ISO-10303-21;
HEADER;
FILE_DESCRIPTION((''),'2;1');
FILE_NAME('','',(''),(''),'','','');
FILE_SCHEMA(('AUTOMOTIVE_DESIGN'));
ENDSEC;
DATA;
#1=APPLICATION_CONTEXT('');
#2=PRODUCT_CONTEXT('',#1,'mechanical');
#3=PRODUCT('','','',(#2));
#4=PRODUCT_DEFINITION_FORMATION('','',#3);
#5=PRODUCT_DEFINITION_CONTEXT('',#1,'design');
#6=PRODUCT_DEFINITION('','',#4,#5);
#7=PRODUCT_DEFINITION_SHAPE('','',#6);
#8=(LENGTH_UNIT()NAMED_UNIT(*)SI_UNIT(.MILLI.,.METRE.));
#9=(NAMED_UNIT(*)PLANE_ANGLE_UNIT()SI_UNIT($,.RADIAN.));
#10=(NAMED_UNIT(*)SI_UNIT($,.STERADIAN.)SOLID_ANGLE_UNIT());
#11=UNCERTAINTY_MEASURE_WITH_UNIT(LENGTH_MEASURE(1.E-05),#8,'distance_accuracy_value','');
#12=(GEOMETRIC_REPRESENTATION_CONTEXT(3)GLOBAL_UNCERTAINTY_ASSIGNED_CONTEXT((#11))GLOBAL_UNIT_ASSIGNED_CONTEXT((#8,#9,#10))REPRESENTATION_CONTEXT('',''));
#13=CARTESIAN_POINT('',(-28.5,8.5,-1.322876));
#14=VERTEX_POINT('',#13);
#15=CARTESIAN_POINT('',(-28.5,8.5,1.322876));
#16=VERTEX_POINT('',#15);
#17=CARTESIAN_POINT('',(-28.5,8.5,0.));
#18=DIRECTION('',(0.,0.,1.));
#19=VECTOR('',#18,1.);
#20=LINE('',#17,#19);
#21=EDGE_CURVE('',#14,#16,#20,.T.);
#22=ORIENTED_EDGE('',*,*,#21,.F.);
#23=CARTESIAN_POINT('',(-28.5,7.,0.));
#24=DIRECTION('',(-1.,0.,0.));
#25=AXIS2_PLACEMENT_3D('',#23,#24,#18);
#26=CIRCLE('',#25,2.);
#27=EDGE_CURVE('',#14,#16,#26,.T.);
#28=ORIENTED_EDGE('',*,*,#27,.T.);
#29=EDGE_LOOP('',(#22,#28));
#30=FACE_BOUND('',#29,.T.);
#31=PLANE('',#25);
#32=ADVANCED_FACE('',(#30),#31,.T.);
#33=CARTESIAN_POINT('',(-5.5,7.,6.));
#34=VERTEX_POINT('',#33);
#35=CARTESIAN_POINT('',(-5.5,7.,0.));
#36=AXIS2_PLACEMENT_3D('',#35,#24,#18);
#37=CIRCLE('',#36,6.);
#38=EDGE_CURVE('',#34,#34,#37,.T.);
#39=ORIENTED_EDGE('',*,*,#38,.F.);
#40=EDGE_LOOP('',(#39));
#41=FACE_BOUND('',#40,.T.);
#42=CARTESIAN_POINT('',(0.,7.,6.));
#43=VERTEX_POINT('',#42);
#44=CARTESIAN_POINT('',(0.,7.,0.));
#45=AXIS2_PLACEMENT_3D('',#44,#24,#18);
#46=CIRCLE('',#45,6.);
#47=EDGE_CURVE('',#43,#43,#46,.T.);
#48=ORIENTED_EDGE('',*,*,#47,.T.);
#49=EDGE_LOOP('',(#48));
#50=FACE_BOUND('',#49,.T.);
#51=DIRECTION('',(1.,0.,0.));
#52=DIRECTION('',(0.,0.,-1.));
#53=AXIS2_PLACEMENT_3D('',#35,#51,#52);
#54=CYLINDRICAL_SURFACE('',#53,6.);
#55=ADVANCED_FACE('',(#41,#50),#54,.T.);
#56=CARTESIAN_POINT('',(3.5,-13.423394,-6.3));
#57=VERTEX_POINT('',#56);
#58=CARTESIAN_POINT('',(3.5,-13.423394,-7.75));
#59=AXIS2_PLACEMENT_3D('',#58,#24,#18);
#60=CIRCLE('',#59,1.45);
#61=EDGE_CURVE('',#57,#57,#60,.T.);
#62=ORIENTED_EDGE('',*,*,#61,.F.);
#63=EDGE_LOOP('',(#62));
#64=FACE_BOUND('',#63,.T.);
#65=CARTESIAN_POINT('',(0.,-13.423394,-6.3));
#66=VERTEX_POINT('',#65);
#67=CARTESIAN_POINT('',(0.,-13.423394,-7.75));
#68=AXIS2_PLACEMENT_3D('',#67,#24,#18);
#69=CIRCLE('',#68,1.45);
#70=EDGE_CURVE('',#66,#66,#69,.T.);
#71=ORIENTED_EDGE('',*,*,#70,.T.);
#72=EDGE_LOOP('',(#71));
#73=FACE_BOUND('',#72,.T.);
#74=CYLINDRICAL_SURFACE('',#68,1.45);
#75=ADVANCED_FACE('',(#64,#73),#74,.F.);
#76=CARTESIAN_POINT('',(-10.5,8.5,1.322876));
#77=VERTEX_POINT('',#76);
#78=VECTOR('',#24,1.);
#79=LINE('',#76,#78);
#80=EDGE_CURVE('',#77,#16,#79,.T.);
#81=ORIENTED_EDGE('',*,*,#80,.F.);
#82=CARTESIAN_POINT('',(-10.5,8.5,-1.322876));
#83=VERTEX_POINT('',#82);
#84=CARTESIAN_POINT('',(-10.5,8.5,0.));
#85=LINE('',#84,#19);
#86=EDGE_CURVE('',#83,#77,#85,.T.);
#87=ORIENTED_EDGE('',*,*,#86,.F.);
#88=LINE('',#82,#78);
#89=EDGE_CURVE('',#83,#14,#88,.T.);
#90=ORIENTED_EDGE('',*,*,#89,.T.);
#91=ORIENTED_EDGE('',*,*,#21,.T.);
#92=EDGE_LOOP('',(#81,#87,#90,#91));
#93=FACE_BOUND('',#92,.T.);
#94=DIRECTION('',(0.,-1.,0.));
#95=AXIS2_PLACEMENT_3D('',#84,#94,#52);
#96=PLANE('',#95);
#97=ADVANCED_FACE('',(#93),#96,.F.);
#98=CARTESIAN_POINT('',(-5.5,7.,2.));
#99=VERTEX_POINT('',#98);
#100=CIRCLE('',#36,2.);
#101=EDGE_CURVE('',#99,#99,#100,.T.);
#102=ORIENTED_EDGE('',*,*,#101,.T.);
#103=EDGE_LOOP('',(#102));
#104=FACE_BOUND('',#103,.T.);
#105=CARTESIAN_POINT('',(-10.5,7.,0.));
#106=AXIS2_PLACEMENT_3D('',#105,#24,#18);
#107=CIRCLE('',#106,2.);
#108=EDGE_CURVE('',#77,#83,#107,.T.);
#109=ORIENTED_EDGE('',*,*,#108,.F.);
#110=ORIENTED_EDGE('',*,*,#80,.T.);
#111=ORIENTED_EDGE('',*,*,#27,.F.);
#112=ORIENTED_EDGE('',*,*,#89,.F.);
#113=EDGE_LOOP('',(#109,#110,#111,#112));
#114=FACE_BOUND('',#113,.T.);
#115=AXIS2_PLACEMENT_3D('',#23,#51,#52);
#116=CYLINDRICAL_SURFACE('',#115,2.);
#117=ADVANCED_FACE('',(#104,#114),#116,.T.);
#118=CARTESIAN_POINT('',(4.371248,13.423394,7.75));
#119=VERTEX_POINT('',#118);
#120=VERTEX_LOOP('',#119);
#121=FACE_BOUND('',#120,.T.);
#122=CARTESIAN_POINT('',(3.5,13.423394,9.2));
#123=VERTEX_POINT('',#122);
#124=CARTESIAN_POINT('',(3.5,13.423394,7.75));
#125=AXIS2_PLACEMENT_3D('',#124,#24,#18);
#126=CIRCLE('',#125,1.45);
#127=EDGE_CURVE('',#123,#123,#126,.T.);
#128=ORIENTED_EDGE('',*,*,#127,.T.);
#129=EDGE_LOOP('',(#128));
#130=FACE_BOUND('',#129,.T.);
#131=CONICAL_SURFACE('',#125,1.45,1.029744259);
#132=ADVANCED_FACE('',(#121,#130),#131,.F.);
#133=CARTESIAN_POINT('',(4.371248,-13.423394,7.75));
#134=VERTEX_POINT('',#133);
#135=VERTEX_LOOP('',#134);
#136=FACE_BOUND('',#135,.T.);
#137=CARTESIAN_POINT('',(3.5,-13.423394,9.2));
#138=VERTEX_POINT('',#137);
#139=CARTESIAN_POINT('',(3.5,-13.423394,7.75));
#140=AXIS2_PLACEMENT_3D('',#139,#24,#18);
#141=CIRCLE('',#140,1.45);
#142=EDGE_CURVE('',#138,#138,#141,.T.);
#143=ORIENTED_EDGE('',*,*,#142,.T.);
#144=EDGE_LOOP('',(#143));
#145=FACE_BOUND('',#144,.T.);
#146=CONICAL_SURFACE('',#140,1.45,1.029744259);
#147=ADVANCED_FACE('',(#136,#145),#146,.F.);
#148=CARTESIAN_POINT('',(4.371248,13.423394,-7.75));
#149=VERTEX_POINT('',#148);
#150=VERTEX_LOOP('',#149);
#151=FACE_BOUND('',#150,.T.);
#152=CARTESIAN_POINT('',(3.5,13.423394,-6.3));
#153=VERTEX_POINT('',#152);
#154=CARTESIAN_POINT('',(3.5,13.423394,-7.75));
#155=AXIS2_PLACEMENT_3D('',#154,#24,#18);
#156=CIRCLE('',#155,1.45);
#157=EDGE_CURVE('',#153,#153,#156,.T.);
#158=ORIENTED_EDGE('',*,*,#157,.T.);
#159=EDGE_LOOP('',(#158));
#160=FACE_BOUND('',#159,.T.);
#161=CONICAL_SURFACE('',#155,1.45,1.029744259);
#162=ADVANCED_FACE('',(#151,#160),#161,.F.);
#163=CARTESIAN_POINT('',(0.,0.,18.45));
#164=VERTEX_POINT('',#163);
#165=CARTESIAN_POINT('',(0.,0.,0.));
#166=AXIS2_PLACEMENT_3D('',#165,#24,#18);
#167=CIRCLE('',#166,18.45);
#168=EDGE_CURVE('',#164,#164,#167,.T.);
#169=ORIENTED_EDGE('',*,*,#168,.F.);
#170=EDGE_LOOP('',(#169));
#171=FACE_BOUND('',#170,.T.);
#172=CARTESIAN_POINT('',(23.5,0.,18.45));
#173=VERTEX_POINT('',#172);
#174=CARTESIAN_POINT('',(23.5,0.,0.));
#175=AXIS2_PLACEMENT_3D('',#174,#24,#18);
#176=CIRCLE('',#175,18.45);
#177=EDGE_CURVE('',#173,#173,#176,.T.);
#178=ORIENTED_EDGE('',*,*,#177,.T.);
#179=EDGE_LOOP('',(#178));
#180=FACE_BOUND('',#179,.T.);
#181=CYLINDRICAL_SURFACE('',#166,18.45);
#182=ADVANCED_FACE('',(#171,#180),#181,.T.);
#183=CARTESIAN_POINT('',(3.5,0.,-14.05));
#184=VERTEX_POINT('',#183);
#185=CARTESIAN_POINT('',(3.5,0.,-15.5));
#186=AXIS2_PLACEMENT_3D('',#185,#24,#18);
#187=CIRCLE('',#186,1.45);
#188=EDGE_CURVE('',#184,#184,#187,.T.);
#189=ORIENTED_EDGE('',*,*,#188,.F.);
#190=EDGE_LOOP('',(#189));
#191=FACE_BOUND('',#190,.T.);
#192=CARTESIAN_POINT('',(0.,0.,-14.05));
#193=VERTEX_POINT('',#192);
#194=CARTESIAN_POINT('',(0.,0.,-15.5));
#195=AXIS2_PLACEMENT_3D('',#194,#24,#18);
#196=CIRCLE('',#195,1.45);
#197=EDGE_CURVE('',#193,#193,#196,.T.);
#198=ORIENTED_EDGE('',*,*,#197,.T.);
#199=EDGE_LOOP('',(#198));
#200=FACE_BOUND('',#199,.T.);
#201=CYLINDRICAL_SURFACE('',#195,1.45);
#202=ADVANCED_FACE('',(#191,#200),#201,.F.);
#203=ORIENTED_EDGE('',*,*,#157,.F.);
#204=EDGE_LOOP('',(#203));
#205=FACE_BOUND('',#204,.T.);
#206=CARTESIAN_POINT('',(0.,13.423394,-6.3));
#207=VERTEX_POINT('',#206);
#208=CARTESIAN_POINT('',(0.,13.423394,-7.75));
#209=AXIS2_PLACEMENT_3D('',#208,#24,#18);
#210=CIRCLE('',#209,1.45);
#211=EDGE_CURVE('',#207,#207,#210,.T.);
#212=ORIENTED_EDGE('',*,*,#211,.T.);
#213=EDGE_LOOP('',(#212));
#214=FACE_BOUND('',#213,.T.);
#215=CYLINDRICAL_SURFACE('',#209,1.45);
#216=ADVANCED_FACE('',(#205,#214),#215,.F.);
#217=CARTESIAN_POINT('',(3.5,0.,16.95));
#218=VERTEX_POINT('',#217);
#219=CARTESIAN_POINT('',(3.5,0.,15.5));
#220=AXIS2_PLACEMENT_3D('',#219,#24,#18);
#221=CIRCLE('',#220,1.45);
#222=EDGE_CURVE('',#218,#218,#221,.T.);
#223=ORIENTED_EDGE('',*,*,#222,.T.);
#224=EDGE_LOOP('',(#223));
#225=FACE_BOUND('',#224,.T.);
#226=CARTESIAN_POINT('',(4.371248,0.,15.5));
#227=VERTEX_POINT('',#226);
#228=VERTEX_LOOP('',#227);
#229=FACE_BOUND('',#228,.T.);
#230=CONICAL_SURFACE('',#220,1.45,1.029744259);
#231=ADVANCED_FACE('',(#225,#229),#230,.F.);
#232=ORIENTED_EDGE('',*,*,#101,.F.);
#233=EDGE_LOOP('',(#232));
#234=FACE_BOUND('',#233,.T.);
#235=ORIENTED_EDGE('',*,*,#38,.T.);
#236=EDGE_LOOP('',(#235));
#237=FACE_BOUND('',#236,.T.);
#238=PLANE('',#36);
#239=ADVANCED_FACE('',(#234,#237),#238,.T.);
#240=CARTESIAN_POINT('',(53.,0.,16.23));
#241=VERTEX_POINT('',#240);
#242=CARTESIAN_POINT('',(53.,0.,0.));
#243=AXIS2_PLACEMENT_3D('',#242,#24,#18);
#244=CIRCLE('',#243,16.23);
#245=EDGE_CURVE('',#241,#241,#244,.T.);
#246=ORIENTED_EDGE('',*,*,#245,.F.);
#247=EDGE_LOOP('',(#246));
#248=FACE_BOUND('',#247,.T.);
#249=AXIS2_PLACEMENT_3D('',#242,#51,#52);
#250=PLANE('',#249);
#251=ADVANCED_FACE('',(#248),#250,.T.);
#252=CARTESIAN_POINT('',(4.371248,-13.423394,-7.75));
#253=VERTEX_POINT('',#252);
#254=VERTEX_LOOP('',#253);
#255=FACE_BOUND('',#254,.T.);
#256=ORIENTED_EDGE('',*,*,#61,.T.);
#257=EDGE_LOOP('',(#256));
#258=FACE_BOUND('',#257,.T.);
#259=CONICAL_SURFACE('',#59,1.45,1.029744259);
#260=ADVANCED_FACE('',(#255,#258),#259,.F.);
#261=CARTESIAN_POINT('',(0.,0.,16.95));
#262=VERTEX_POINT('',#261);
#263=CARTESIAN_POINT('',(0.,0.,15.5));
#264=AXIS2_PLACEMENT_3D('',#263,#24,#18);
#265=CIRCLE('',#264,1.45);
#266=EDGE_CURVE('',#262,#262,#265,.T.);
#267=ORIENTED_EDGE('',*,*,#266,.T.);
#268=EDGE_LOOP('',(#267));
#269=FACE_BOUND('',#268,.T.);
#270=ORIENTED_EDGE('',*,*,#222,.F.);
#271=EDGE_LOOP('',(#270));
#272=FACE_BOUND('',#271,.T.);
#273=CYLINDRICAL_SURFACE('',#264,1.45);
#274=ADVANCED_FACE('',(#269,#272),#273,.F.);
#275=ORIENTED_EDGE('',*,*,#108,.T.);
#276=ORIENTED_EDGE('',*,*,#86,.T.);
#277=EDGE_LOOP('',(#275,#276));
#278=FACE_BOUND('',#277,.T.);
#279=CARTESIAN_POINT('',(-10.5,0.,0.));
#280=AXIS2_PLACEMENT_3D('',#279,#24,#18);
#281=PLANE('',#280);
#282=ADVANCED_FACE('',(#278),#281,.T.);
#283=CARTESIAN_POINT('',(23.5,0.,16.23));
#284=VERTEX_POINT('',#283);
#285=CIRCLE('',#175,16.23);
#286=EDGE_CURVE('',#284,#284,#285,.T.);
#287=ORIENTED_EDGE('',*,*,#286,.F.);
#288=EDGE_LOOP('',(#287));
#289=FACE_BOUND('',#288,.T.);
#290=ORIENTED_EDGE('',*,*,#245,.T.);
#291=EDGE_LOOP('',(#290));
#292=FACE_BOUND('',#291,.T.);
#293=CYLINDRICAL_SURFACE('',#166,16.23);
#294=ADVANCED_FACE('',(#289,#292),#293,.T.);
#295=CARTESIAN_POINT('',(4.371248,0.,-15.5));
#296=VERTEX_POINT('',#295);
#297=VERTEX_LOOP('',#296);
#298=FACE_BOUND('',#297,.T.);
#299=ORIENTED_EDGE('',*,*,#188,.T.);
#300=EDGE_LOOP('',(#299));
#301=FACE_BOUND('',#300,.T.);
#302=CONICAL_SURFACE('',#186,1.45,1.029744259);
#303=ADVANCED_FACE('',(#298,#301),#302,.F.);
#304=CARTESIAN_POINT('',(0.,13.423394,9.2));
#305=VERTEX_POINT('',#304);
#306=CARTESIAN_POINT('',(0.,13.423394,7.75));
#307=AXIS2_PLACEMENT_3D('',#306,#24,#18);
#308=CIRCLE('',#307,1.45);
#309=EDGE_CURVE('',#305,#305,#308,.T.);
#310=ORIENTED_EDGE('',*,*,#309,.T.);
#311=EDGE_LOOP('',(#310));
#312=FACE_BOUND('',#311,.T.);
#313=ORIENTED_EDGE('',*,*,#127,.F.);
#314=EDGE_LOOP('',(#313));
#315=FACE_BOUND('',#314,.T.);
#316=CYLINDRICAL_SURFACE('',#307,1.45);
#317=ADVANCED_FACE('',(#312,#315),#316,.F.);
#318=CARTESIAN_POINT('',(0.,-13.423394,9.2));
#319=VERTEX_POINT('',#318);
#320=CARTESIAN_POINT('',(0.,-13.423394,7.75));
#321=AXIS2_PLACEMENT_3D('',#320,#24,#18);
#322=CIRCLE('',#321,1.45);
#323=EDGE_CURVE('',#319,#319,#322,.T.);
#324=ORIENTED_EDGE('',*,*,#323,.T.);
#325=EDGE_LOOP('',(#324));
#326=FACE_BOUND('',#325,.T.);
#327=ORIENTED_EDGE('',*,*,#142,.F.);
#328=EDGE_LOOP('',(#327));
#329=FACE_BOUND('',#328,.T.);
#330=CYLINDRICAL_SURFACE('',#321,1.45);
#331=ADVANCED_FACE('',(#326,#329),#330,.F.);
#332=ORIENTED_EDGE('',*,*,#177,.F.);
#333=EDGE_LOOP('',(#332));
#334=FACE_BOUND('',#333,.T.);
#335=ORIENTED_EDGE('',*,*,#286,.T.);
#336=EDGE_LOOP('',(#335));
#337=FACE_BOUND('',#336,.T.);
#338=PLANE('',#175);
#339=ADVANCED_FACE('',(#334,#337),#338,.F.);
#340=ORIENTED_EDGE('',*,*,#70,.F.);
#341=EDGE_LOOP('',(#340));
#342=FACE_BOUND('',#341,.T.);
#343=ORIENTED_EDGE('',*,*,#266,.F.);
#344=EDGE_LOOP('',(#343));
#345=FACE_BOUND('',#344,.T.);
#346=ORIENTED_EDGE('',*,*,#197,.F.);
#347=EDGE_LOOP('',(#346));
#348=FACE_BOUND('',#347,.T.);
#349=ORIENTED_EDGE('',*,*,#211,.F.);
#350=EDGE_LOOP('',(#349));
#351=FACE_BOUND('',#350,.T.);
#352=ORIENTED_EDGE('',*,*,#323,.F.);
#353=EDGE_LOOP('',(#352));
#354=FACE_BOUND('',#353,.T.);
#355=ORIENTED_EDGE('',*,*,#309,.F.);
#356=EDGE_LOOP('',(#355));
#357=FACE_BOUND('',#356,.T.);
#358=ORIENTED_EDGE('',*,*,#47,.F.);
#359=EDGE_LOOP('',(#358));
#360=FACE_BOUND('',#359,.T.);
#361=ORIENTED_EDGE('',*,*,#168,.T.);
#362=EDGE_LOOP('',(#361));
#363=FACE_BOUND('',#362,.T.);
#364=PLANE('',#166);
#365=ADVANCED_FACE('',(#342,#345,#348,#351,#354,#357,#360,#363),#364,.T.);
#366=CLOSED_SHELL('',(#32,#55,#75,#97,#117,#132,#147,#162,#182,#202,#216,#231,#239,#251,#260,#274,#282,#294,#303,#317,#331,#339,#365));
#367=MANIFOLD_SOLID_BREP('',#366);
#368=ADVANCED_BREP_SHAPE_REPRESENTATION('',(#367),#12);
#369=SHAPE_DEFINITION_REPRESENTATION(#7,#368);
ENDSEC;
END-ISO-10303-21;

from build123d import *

# Parameters (mm, degrees)
SKETCH1_W                   = 23.5
SKETCH1_H                   = 18.45
SKETCH1_W_2                 = 29.5
SKETCH1_H_2                 = 16.23
M3_5X0_6_TAPPED_HOLE1_D     = 2.9
M3_5X0_6_TAPPED_HOLE1_DEPTH = 3.5
M3_5X0_6_TAPPED_HOLE1_TIP   = 0.871247898
SKETCH6_R                   = 6
BOSS_EXTRUDE1_DEPTH         = 5.5
SKETCH7_R                   = 2
BOSS_EXTRUDE2_DEPTH         = 23
CUT_EXTRUDE1_DEPTH          = 18


with BuildPart() as part:
    # Sketch1 → Revolve1 (revolve)
    with BuildSketch(Plane.XY, mode=Mode.PRIVATE) as revolve1_sk:
        with Locations((11.75, 9.225)):
            Rectangle(SKETCH1_W, SKETCH1_H)
        with Locations((38.25, 8.115)):
            Rectangle(SKETCH1_W_2, SKETCH1_H_2)
    revolve(revolve1_sk.sketch.rotate(Axis((0, 0, 0), (1, 0, 0)), 90), axis=Axis((0, 0, 0), (1, 0, 0)))

    # M3.5x0.6 Tapped Hole1
    with Locations(Plane.ZY):
        with Locations((7.75, 13.423393759), (15.5, 0), (7.75, -13.423393759), (-7.75, -13.423393759), (-15.5, 0), (-7.75, 13.423393759)):
            Hole(M3_5X0_6_TAPPED_HOLE1_D / 2, depth=M3_5X0_6_TAPPED_HOLE1_DEPTH)
            with Locations((0, 0, -(M3_5X0_6_TAPPED_HOLE1_DEPTH + M3_5X0_6_TAPPED_HOLE1_TIP / 2))):  # 118° drill point
                Cone(0, M3_5X0_6_TAPPED_HOLE1_D / 2, M3_5X0_6_TAPPED_HOLE1_TIP, mode=Mode.SUBTRACT)

    # Sketch6 → Boss-Extrude1 (add)
    with BuildSketch(Plane.ZY):
        with Locations((0, 7)):
            Circle(SKETCH6_R)
    extrude(amount=BOSS_EXTRUDE1_DEPTH)

    # Sketch7 → Boss-Extrude2 (add)
    with BuildSketch(Plane.ZY.offset(5.5)):
        with Locations((0, 7)):
            Circle(SKETCH7_R)
    extrude(amount=BOSS_EXTRUDE2_DEPTH)

    # Sketch8 → Cut-Extrude1 (cut)
    with BuildSketch(Plane.ZY.offset(28.5)):
        Polygon((-78.17402708, 8.5), (-1.322875656, 8.5), (1.322875656, 8.5), (78.17402708, 8.5), (78.17402708, 162.202302849), (-78.17402708, 162.202302849), align=None)
    extrude(amount=-CUT_EXTRUDE1_DEPTH, mode=Mode.SUBTRACT)


solid = part.part
